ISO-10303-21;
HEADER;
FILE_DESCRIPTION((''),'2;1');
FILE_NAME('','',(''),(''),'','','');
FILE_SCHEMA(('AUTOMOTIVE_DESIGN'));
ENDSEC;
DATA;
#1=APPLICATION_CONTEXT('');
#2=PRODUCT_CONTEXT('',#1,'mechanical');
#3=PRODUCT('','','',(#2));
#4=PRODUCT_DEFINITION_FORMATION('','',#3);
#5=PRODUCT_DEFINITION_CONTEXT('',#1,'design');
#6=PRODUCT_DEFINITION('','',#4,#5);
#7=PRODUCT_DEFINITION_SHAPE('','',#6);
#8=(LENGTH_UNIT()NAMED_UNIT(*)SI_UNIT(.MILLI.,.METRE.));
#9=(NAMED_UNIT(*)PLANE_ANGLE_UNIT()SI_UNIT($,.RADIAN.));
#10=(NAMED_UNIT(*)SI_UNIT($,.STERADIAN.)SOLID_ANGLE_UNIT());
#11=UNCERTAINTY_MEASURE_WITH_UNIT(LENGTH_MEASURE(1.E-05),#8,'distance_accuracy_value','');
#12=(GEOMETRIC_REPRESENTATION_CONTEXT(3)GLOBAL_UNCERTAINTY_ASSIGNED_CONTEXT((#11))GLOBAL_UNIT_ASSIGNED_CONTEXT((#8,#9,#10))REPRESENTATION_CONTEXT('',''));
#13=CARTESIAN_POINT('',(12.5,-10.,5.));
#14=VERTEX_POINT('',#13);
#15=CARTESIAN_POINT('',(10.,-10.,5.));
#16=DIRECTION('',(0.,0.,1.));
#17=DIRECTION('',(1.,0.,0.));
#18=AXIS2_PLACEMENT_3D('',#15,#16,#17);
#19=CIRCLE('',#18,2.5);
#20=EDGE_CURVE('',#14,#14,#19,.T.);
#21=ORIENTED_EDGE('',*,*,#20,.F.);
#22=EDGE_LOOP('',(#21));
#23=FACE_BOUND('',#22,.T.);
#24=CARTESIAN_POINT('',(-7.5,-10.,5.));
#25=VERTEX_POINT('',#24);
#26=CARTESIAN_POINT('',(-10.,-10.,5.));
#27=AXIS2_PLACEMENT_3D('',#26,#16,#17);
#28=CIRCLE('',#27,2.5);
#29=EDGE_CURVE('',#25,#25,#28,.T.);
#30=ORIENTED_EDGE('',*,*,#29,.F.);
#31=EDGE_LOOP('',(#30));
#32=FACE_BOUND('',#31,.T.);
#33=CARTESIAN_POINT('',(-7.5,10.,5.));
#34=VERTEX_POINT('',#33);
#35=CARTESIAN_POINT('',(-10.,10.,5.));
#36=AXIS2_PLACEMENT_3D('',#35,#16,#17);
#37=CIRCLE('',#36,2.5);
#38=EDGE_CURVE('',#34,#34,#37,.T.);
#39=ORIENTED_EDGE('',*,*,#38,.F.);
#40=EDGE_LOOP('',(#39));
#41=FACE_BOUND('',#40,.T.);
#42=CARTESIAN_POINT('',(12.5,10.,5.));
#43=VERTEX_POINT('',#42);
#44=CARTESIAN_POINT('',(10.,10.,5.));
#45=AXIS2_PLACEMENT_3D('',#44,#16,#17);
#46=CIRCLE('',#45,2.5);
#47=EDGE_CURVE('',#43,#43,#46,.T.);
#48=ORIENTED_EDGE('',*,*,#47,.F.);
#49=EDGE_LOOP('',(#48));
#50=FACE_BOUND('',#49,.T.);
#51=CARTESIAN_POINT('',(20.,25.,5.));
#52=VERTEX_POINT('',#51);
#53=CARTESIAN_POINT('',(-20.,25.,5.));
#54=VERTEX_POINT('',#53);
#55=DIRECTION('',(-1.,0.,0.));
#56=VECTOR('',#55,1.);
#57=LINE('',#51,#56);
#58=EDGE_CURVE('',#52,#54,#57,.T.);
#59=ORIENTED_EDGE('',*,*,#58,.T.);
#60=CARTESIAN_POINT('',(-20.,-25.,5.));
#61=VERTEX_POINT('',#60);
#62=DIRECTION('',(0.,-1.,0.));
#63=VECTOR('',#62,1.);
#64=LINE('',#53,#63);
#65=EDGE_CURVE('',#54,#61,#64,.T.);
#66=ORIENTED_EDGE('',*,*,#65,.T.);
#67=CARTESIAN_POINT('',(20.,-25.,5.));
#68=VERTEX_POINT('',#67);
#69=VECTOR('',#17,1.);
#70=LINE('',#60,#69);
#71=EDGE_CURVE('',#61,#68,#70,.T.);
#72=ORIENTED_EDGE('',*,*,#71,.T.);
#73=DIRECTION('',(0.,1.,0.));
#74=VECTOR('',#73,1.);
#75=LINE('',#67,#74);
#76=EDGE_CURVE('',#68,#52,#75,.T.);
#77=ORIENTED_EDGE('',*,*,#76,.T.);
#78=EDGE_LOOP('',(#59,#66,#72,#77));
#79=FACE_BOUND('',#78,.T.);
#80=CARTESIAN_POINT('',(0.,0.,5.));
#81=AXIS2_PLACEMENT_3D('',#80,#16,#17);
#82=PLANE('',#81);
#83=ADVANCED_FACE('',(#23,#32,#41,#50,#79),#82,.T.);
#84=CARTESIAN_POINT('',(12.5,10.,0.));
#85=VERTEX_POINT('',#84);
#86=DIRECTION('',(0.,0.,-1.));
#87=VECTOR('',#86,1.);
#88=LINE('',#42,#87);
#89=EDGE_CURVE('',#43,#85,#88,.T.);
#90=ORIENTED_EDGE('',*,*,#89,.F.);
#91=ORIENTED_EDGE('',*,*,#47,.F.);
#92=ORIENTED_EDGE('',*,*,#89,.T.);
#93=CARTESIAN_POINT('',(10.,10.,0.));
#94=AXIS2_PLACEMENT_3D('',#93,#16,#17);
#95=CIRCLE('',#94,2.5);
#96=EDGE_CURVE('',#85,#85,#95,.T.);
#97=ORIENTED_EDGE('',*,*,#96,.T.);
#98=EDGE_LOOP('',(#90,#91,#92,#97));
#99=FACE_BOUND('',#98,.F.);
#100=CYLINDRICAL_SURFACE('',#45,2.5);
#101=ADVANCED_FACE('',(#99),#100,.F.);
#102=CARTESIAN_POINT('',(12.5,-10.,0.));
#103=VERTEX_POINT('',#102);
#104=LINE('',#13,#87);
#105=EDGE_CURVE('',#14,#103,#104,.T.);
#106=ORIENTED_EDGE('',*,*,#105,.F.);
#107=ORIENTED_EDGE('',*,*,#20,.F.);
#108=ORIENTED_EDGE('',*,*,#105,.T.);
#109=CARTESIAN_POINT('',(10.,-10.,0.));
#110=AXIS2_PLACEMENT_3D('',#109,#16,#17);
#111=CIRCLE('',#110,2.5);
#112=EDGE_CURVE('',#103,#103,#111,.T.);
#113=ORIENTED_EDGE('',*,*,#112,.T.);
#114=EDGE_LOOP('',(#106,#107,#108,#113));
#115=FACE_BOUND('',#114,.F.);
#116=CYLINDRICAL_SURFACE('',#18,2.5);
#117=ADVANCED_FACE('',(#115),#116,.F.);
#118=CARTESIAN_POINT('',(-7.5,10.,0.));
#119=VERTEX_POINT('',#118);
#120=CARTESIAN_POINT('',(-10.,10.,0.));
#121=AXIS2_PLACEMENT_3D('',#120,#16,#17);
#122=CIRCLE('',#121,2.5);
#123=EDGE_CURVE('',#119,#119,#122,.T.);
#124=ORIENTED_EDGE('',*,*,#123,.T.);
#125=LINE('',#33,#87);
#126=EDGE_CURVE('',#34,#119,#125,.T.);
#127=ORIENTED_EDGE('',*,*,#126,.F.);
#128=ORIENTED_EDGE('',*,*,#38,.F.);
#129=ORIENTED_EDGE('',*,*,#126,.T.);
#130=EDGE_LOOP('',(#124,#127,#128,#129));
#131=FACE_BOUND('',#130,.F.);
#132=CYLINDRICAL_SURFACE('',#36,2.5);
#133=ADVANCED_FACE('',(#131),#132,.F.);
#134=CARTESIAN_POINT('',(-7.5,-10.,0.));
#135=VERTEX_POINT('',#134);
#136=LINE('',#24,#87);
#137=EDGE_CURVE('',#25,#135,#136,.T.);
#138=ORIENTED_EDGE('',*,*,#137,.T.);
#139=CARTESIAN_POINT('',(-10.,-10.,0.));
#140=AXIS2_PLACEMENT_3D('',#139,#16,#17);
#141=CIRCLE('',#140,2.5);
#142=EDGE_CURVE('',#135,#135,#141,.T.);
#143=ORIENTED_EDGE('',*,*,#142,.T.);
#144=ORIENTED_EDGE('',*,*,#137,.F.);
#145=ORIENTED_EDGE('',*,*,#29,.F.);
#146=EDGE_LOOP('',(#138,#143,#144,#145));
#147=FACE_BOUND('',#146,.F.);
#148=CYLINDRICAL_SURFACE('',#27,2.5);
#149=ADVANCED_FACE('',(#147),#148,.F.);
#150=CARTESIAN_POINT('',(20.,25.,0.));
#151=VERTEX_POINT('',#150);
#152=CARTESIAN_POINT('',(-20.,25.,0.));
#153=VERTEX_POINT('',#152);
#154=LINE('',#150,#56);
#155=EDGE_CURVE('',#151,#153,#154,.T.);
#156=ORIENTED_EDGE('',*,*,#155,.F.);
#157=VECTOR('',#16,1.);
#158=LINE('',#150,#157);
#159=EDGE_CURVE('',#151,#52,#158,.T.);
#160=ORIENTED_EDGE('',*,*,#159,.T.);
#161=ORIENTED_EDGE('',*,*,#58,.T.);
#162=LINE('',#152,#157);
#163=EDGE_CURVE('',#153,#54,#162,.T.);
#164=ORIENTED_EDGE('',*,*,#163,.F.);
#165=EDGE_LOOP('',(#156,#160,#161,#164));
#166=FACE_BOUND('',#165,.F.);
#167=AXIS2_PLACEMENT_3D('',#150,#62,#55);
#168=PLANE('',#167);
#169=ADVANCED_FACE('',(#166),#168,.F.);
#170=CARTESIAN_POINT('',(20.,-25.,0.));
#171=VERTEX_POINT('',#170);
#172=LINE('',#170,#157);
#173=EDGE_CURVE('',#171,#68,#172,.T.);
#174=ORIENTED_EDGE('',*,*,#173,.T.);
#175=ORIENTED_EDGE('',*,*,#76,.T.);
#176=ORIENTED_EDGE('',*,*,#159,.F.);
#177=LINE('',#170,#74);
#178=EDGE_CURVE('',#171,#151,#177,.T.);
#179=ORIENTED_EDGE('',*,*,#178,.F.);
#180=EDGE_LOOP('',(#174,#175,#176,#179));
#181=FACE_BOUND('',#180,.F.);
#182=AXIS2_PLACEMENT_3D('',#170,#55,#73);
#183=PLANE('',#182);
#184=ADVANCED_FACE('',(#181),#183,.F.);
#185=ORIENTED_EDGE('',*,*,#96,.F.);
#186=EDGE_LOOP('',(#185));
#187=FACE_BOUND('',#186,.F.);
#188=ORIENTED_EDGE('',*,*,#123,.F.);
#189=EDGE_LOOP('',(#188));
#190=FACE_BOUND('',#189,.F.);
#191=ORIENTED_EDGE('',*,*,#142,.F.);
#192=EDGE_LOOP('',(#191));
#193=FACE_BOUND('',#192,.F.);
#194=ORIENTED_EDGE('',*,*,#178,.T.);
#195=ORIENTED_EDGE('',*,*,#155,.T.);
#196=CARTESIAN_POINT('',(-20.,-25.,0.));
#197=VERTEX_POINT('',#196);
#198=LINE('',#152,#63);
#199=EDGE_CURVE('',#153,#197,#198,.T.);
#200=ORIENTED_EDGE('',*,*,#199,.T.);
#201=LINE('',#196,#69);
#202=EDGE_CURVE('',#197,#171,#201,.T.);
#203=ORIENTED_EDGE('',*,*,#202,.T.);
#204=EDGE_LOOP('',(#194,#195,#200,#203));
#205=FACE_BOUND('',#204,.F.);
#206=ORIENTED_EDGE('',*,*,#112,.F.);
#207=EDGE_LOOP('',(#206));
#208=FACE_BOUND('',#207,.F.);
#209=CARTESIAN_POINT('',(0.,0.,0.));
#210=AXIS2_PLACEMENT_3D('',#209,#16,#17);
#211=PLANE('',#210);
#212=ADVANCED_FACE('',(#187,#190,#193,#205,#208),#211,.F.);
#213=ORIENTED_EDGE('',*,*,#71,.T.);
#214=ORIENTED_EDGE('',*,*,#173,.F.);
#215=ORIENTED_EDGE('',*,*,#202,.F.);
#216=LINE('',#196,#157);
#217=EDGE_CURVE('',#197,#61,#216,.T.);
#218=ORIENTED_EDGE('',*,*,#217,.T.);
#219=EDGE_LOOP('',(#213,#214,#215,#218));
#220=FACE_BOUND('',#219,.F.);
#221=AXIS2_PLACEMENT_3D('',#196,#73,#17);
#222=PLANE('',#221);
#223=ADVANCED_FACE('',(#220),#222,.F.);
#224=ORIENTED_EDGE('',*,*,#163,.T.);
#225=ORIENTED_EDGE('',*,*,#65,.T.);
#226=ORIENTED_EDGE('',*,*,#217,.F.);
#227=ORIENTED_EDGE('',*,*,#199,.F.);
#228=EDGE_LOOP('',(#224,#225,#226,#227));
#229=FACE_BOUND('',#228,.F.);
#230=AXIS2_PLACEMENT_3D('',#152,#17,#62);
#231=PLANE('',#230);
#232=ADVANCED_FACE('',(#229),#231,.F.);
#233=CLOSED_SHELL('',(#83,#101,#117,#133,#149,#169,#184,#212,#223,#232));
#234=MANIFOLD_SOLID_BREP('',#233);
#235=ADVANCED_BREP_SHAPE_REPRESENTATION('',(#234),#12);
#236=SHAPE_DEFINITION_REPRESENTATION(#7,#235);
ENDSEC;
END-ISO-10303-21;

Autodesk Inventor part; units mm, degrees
ref_plane "YZ Plane" through (0, 0, 0) normal (1, 0, 0) x (0, 1, 0)
ref_plane "XZ Plane" through (0, 0, 0) normal (0, 1, 0) x (-1, 0, 0)
ref_plane "XY Plane" through (0, 0, 0) normal (0, 0, 1) x (1, 0, 0)
sketch "Sketch1" plane through (0, 0, 0) normal (0, 0, 1) x (1, 0, 0)
  line L0 (-20, -25) -> (20, -25)
  line L1 (20, -25) -> (20, 25)
  line L2 (20, 25) -> (-20, 25)
  line L3 (-20, 25) -> (-20, -25)
  line L4 (-20, -25) -> (20, 25) construction
  line L5 (20, -25) -> (-20, 25) construction
  point P0 (0, 0)
  dimension "d0" = 40
  dimension "d1" = 50
extrude "Extrusion1" add sketch "Sketch1" along normal blind 5
sketch "Sketch2" plane through (0, 0, 5) normal (0, 0, 1) x (1, 0, 0)
  circle A0 centre (-10, 10) radius 2.5
  circle A1 centre (-10, -10) radius 2.5
  circle A2 centre (10, 10) radius 2.5
  circle A3 centre (10, -10) radius 2.5
  point P0 (0, 0)
  dimension "d4" = 5
  dimension "d5" = 5
  dimension "d6" = 5
  dimension "d7" = 5
  dimension "d8" = 10
  dimension "d9" = 10
  dimension "d10" = 10
  dimension "d11" = 10
extrude "Extrusion2" cut sketch "Sketch2" against normal through all
thread "Thread1" size "M5x0.8" class "6H" standard "ANSI Metric M Profile" full length
thread "Thread2" size "M5x0.8" class "6H" standard "ANSI Metric M Profile" full length
thread "Thread3" size "M5x0.8" class "6H" standard "ANSI Metric M Profile" full length
thread "Thread4" size "M5x0.8" class "6H" standard "ANSI Metric M Profile" full length
properties part number "CP010" material "ABS Plastic"
